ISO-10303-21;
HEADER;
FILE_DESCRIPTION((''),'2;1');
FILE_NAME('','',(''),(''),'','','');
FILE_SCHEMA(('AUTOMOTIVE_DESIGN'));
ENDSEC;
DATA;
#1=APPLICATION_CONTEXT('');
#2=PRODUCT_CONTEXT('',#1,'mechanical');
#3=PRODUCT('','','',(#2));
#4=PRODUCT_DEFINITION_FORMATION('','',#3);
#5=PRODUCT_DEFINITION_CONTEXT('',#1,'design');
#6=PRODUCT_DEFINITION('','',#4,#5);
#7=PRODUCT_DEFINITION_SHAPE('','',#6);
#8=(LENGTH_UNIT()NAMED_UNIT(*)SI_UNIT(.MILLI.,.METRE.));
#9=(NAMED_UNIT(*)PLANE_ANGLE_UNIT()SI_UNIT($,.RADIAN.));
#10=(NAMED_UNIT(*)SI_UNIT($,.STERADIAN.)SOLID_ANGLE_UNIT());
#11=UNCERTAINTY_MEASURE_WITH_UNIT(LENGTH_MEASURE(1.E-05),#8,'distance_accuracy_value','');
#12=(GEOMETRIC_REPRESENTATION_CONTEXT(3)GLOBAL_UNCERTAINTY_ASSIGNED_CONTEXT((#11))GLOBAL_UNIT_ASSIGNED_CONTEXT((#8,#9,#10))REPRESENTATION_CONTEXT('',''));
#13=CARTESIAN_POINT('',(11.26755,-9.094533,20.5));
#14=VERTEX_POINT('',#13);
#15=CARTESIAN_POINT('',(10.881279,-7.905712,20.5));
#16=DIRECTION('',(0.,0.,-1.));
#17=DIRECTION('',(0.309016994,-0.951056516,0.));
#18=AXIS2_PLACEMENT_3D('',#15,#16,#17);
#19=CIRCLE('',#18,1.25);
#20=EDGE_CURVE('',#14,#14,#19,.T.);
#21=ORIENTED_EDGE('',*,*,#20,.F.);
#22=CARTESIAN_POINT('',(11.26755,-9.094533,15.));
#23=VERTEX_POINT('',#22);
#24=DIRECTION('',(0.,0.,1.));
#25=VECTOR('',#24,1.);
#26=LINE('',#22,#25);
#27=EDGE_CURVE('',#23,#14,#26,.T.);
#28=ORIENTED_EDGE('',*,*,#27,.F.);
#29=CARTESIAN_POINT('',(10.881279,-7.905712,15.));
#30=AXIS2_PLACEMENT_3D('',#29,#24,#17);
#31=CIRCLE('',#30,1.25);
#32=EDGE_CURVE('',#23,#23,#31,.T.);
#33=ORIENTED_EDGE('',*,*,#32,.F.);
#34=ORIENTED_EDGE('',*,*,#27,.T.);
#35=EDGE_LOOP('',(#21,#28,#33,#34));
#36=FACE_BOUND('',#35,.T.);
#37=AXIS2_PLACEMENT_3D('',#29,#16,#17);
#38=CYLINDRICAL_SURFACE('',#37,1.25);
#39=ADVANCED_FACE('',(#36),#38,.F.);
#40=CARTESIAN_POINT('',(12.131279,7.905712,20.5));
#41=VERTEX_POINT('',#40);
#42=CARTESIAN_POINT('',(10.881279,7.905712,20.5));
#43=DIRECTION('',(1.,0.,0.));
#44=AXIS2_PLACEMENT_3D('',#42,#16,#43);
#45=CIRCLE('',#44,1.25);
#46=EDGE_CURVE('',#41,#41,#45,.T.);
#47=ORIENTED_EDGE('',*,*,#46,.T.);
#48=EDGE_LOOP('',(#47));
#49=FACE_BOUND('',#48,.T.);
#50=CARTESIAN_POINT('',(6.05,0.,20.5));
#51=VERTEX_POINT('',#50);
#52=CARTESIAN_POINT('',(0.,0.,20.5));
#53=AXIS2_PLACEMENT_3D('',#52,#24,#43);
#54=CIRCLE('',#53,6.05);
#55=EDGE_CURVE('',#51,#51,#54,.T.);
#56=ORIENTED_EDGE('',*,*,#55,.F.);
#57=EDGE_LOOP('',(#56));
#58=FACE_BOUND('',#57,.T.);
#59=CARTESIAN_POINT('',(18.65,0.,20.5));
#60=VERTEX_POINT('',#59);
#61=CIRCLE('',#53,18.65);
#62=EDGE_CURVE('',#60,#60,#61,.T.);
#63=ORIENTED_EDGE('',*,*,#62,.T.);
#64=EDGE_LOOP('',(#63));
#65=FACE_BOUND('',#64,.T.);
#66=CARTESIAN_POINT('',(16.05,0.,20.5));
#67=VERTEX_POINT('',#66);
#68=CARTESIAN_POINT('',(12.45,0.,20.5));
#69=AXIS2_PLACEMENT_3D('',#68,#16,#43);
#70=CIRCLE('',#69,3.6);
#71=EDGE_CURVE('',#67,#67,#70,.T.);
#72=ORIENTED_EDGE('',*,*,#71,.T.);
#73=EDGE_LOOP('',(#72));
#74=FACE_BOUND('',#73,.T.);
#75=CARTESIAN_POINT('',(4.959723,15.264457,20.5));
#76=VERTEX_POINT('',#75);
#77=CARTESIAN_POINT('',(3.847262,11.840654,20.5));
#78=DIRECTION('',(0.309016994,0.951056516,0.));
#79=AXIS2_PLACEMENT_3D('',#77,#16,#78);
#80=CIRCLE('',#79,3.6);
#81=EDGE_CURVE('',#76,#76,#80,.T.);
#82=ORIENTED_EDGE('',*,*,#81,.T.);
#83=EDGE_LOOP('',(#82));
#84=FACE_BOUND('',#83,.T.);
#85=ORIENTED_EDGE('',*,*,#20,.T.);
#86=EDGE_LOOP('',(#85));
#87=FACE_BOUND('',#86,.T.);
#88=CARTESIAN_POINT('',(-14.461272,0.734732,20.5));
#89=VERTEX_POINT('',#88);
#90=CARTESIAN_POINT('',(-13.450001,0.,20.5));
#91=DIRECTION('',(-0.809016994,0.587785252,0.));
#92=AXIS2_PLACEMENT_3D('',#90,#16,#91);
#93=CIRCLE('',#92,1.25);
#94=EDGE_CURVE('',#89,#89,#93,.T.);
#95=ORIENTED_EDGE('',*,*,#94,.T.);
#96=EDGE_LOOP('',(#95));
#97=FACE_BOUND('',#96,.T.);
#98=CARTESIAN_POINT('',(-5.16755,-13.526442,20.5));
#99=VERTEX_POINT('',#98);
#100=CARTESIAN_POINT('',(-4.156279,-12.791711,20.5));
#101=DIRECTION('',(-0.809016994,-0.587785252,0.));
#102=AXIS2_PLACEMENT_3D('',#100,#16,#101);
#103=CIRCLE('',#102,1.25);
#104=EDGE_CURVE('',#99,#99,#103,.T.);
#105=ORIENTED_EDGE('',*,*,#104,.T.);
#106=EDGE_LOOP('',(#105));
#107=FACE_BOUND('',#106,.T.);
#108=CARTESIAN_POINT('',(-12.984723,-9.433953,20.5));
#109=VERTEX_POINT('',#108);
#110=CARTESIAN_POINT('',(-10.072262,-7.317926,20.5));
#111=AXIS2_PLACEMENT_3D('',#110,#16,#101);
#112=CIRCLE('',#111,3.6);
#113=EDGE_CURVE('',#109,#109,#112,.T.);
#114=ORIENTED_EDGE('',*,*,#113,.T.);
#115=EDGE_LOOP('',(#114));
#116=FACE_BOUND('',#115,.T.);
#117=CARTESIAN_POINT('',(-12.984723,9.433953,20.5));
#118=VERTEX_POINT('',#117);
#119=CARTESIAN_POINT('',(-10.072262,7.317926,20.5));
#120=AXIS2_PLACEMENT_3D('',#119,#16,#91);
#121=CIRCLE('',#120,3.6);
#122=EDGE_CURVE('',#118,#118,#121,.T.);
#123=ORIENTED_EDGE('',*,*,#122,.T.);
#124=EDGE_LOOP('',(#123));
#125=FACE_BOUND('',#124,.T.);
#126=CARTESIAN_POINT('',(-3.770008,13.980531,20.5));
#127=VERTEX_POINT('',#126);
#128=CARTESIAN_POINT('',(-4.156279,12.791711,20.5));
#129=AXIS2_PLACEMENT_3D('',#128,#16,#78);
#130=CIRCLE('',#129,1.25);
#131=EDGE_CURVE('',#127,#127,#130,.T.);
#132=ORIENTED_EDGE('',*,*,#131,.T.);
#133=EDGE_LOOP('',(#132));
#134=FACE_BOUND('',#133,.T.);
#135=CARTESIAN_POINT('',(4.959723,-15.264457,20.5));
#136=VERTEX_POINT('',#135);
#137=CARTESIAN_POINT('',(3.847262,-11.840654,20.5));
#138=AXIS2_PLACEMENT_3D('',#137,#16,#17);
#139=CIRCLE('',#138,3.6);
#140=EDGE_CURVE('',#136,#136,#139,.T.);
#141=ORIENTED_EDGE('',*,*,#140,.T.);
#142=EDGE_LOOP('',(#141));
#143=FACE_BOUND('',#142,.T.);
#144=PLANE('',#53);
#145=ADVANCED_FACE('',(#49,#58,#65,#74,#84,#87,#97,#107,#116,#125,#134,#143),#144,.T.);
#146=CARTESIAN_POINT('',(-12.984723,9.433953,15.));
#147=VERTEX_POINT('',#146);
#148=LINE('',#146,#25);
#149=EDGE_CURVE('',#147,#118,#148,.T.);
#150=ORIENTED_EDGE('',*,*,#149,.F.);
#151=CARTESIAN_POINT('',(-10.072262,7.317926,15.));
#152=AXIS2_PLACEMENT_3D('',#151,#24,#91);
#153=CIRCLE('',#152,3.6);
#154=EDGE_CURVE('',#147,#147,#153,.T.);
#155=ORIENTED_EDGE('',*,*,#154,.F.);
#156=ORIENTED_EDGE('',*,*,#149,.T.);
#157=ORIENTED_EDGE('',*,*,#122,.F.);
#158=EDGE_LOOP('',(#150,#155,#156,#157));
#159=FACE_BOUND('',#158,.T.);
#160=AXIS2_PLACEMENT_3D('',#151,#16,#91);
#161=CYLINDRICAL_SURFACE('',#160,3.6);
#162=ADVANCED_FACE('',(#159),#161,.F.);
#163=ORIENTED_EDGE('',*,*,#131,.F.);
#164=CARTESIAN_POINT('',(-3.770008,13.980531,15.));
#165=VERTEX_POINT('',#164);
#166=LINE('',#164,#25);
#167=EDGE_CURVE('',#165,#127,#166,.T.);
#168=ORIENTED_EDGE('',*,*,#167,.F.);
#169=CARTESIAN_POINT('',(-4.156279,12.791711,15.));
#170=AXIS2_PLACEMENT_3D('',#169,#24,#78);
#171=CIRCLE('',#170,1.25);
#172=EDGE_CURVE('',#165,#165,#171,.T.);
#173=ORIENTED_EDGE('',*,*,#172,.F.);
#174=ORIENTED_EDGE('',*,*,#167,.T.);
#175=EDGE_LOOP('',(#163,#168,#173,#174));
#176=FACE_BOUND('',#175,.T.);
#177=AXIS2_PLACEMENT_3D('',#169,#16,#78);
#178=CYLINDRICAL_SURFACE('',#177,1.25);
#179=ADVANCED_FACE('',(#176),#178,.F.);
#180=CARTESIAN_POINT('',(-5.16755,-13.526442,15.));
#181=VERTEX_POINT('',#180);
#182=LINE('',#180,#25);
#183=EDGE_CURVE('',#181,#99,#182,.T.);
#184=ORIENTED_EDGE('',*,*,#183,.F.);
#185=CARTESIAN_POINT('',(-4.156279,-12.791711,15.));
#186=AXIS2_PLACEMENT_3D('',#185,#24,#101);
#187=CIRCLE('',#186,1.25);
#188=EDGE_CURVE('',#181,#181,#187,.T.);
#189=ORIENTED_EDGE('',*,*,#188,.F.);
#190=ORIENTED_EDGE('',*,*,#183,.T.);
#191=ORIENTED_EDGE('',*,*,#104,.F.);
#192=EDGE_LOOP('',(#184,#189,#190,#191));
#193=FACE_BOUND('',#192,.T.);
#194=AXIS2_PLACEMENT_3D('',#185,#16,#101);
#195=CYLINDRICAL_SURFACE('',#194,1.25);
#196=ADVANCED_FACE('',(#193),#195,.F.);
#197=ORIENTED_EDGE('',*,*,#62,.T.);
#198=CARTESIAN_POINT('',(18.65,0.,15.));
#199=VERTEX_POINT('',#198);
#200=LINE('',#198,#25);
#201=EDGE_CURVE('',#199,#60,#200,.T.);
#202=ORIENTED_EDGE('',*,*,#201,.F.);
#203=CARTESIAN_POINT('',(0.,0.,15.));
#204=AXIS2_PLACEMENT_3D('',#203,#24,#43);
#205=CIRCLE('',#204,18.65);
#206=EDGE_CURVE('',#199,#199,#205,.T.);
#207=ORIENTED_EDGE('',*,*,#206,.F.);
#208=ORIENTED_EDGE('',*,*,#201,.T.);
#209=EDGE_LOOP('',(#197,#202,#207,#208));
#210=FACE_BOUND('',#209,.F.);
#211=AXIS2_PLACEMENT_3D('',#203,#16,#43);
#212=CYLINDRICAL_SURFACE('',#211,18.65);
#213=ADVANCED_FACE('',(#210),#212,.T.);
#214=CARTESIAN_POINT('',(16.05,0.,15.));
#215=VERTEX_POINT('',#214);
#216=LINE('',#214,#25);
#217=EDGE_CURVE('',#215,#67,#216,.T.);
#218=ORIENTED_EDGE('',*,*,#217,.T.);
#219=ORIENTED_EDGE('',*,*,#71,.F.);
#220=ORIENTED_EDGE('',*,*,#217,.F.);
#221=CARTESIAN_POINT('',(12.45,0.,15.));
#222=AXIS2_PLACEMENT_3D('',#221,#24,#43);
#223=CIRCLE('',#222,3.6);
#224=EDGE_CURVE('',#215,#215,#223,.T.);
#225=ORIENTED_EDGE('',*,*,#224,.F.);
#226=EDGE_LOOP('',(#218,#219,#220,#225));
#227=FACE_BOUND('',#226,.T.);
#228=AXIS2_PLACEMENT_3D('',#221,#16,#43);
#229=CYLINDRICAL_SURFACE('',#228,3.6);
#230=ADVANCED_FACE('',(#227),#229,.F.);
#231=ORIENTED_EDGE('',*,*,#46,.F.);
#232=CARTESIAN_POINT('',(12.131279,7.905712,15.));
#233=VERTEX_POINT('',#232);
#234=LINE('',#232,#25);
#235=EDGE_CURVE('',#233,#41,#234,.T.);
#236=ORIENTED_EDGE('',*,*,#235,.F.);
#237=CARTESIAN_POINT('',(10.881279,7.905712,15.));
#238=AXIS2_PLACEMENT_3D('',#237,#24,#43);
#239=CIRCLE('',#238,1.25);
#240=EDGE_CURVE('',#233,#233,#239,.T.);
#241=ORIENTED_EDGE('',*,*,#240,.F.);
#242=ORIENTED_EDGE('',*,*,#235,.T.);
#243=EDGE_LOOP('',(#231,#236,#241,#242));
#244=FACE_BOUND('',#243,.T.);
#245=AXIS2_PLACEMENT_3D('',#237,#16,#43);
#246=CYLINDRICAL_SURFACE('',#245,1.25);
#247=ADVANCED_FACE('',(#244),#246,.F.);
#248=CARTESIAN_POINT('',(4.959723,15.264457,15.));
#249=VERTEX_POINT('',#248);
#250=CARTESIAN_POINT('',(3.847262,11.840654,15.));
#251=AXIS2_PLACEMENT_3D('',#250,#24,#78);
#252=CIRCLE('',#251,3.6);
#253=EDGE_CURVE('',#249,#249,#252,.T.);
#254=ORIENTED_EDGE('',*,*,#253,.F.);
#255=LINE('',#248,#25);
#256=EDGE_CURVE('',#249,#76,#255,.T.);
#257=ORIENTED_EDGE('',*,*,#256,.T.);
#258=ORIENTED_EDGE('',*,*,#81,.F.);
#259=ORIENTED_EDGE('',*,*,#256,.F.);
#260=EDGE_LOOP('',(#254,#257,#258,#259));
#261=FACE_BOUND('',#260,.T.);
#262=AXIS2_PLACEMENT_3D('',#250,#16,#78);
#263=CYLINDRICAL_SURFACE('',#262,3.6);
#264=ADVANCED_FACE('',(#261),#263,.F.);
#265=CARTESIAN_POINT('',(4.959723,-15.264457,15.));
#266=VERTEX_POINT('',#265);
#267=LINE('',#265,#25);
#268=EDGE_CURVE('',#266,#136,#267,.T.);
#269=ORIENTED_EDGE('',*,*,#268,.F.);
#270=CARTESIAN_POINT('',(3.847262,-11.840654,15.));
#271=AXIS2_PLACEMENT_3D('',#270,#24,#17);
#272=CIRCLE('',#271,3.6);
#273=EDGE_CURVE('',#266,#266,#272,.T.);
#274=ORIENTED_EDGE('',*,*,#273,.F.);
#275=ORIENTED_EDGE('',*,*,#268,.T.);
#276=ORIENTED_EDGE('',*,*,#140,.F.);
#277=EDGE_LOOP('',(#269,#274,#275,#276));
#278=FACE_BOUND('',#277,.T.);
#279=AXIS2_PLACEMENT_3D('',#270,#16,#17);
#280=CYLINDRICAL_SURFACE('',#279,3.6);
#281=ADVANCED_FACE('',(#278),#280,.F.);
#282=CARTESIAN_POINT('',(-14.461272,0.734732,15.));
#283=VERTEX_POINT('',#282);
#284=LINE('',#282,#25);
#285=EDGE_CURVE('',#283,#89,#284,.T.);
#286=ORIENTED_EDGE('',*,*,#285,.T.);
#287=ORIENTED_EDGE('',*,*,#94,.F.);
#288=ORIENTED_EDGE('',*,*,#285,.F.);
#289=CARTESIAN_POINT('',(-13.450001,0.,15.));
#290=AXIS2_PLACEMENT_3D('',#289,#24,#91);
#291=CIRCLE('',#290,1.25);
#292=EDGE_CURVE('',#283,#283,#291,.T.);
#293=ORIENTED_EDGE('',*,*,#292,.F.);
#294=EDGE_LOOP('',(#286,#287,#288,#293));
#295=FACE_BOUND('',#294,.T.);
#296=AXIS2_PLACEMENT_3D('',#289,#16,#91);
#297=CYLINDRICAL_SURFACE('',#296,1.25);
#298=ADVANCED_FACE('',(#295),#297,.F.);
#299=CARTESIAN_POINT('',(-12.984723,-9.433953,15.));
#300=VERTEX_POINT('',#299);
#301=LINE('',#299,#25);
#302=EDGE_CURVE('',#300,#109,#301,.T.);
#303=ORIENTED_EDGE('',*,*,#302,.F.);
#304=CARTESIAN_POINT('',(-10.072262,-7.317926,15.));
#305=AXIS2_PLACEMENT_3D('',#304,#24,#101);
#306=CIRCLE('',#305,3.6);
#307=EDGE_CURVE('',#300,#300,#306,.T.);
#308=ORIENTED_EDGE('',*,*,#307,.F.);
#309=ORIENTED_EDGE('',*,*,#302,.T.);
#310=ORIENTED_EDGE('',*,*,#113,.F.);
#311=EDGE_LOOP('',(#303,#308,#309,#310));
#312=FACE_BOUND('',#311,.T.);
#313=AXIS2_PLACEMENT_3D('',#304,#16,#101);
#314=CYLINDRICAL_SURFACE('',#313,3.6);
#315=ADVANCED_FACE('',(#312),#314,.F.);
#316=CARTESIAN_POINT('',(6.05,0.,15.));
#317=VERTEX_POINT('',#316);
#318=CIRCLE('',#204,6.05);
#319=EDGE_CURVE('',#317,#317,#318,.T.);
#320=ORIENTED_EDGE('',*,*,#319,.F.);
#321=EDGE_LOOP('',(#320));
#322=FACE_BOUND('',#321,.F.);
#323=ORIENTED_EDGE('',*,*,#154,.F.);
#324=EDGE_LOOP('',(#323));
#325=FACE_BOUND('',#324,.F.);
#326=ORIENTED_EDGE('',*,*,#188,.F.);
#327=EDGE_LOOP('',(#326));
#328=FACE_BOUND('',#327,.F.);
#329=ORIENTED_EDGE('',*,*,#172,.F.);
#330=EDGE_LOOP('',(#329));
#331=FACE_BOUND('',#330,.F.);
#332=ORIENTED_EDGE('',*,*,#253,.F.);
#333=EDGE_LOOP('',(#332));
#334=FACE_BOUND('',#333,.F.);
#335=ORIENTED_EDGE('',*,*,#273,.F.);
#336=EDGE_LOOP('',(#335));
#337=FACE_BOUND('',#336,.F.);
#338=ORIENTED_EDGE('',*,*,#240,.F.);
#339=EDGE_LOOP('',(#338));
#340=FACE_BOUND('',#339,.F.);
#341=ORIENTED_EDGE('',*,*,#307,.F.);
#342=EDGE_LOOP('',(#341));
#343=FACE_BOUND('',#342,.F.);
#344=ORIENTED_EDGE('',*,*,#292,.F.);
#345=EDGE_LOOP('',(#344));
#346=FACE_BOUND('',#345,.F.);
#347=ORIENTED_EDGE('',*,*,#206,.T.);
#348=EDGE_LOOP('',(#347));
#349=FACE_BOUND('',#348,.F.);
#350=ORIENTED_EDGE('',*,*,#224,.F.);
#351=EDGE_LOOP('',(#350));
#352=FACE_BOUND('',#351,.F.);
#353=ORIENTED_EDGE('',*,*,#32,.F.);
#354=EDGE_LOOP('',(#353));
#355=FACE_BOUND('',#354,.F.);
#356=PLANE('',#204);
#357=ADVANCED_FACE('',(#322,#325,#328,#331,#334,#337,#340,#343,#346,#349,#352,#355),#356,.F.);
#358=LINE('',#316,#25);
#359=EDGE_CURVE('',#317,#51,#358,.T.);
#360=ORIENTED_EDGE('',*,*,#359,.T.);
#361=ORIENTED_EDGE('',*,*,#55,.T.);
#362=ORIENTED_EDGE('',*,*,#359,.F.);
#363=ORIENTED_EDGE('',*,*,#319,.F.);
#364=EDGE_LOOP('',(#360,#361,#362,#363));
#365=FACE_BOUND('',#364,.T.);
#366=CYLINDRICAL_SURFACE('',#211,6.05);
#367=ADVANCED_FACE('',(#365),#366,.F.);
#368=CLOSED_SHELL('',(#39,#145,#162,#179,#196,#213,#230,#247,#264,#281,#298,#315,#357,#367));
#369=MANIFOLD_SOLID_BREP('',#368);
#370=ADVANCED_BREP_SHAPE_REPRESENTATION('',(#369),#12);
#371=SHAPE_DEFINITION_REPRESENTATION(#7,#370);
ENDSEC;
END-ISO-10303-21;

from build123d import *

# Parameters (mm, degrees)
SKETCH038_R           = 18.65
SKETCH038_R_2         = 6.05
PAD010_DEPTH          = 5.5
SKETCH039_R           = 3.6
SKETCH039_R_2         = 1.25
POCKET008_DEPTH       = 111.57324
POLARPATTERN001_COUNT = 5


with BuildPart() as part:
    # Sketch038 → Pad010 (new body)
    with BuildSketch(Plane.XY):
        Circle(SKETCH038_R)
        Circle(SKETCH038_R_2, mode=Mode.SUBTRACT)
    extrude(amount=PAD010_DEPTH)

    # Sketch039 → Pocket008 (cut, through all)
    with BuildSketch(Plane.XY):
        with Locations((12.45, 0)):
            Circle(SKETCH039_R)
        with Locations((10.881279, 7.905712)):
            Circle(SKETCH039_R_2)
    pocket008 = extrude(amount=POCKET008_DEPTH, mode=Mode.SUBTRACT)

    # PolarPattern001: Pocket008 ×5 about axis
    polarpattern001_axis = Axis((0, 0, 0), (0, 0, 1))
    for i in range(1, POLARPATTERN001_COUNT):
        add(pocket008.rotate(polarpattern001_axis, i * 360 / POLARPATTERN001_COUNT), mode=Mode.SUBTRACT)


with BuildPart() as part_1:
    # Body009 placement: moved
    add(part.part.moved(Location((0, 0, 15))))


solid = part_1.part
